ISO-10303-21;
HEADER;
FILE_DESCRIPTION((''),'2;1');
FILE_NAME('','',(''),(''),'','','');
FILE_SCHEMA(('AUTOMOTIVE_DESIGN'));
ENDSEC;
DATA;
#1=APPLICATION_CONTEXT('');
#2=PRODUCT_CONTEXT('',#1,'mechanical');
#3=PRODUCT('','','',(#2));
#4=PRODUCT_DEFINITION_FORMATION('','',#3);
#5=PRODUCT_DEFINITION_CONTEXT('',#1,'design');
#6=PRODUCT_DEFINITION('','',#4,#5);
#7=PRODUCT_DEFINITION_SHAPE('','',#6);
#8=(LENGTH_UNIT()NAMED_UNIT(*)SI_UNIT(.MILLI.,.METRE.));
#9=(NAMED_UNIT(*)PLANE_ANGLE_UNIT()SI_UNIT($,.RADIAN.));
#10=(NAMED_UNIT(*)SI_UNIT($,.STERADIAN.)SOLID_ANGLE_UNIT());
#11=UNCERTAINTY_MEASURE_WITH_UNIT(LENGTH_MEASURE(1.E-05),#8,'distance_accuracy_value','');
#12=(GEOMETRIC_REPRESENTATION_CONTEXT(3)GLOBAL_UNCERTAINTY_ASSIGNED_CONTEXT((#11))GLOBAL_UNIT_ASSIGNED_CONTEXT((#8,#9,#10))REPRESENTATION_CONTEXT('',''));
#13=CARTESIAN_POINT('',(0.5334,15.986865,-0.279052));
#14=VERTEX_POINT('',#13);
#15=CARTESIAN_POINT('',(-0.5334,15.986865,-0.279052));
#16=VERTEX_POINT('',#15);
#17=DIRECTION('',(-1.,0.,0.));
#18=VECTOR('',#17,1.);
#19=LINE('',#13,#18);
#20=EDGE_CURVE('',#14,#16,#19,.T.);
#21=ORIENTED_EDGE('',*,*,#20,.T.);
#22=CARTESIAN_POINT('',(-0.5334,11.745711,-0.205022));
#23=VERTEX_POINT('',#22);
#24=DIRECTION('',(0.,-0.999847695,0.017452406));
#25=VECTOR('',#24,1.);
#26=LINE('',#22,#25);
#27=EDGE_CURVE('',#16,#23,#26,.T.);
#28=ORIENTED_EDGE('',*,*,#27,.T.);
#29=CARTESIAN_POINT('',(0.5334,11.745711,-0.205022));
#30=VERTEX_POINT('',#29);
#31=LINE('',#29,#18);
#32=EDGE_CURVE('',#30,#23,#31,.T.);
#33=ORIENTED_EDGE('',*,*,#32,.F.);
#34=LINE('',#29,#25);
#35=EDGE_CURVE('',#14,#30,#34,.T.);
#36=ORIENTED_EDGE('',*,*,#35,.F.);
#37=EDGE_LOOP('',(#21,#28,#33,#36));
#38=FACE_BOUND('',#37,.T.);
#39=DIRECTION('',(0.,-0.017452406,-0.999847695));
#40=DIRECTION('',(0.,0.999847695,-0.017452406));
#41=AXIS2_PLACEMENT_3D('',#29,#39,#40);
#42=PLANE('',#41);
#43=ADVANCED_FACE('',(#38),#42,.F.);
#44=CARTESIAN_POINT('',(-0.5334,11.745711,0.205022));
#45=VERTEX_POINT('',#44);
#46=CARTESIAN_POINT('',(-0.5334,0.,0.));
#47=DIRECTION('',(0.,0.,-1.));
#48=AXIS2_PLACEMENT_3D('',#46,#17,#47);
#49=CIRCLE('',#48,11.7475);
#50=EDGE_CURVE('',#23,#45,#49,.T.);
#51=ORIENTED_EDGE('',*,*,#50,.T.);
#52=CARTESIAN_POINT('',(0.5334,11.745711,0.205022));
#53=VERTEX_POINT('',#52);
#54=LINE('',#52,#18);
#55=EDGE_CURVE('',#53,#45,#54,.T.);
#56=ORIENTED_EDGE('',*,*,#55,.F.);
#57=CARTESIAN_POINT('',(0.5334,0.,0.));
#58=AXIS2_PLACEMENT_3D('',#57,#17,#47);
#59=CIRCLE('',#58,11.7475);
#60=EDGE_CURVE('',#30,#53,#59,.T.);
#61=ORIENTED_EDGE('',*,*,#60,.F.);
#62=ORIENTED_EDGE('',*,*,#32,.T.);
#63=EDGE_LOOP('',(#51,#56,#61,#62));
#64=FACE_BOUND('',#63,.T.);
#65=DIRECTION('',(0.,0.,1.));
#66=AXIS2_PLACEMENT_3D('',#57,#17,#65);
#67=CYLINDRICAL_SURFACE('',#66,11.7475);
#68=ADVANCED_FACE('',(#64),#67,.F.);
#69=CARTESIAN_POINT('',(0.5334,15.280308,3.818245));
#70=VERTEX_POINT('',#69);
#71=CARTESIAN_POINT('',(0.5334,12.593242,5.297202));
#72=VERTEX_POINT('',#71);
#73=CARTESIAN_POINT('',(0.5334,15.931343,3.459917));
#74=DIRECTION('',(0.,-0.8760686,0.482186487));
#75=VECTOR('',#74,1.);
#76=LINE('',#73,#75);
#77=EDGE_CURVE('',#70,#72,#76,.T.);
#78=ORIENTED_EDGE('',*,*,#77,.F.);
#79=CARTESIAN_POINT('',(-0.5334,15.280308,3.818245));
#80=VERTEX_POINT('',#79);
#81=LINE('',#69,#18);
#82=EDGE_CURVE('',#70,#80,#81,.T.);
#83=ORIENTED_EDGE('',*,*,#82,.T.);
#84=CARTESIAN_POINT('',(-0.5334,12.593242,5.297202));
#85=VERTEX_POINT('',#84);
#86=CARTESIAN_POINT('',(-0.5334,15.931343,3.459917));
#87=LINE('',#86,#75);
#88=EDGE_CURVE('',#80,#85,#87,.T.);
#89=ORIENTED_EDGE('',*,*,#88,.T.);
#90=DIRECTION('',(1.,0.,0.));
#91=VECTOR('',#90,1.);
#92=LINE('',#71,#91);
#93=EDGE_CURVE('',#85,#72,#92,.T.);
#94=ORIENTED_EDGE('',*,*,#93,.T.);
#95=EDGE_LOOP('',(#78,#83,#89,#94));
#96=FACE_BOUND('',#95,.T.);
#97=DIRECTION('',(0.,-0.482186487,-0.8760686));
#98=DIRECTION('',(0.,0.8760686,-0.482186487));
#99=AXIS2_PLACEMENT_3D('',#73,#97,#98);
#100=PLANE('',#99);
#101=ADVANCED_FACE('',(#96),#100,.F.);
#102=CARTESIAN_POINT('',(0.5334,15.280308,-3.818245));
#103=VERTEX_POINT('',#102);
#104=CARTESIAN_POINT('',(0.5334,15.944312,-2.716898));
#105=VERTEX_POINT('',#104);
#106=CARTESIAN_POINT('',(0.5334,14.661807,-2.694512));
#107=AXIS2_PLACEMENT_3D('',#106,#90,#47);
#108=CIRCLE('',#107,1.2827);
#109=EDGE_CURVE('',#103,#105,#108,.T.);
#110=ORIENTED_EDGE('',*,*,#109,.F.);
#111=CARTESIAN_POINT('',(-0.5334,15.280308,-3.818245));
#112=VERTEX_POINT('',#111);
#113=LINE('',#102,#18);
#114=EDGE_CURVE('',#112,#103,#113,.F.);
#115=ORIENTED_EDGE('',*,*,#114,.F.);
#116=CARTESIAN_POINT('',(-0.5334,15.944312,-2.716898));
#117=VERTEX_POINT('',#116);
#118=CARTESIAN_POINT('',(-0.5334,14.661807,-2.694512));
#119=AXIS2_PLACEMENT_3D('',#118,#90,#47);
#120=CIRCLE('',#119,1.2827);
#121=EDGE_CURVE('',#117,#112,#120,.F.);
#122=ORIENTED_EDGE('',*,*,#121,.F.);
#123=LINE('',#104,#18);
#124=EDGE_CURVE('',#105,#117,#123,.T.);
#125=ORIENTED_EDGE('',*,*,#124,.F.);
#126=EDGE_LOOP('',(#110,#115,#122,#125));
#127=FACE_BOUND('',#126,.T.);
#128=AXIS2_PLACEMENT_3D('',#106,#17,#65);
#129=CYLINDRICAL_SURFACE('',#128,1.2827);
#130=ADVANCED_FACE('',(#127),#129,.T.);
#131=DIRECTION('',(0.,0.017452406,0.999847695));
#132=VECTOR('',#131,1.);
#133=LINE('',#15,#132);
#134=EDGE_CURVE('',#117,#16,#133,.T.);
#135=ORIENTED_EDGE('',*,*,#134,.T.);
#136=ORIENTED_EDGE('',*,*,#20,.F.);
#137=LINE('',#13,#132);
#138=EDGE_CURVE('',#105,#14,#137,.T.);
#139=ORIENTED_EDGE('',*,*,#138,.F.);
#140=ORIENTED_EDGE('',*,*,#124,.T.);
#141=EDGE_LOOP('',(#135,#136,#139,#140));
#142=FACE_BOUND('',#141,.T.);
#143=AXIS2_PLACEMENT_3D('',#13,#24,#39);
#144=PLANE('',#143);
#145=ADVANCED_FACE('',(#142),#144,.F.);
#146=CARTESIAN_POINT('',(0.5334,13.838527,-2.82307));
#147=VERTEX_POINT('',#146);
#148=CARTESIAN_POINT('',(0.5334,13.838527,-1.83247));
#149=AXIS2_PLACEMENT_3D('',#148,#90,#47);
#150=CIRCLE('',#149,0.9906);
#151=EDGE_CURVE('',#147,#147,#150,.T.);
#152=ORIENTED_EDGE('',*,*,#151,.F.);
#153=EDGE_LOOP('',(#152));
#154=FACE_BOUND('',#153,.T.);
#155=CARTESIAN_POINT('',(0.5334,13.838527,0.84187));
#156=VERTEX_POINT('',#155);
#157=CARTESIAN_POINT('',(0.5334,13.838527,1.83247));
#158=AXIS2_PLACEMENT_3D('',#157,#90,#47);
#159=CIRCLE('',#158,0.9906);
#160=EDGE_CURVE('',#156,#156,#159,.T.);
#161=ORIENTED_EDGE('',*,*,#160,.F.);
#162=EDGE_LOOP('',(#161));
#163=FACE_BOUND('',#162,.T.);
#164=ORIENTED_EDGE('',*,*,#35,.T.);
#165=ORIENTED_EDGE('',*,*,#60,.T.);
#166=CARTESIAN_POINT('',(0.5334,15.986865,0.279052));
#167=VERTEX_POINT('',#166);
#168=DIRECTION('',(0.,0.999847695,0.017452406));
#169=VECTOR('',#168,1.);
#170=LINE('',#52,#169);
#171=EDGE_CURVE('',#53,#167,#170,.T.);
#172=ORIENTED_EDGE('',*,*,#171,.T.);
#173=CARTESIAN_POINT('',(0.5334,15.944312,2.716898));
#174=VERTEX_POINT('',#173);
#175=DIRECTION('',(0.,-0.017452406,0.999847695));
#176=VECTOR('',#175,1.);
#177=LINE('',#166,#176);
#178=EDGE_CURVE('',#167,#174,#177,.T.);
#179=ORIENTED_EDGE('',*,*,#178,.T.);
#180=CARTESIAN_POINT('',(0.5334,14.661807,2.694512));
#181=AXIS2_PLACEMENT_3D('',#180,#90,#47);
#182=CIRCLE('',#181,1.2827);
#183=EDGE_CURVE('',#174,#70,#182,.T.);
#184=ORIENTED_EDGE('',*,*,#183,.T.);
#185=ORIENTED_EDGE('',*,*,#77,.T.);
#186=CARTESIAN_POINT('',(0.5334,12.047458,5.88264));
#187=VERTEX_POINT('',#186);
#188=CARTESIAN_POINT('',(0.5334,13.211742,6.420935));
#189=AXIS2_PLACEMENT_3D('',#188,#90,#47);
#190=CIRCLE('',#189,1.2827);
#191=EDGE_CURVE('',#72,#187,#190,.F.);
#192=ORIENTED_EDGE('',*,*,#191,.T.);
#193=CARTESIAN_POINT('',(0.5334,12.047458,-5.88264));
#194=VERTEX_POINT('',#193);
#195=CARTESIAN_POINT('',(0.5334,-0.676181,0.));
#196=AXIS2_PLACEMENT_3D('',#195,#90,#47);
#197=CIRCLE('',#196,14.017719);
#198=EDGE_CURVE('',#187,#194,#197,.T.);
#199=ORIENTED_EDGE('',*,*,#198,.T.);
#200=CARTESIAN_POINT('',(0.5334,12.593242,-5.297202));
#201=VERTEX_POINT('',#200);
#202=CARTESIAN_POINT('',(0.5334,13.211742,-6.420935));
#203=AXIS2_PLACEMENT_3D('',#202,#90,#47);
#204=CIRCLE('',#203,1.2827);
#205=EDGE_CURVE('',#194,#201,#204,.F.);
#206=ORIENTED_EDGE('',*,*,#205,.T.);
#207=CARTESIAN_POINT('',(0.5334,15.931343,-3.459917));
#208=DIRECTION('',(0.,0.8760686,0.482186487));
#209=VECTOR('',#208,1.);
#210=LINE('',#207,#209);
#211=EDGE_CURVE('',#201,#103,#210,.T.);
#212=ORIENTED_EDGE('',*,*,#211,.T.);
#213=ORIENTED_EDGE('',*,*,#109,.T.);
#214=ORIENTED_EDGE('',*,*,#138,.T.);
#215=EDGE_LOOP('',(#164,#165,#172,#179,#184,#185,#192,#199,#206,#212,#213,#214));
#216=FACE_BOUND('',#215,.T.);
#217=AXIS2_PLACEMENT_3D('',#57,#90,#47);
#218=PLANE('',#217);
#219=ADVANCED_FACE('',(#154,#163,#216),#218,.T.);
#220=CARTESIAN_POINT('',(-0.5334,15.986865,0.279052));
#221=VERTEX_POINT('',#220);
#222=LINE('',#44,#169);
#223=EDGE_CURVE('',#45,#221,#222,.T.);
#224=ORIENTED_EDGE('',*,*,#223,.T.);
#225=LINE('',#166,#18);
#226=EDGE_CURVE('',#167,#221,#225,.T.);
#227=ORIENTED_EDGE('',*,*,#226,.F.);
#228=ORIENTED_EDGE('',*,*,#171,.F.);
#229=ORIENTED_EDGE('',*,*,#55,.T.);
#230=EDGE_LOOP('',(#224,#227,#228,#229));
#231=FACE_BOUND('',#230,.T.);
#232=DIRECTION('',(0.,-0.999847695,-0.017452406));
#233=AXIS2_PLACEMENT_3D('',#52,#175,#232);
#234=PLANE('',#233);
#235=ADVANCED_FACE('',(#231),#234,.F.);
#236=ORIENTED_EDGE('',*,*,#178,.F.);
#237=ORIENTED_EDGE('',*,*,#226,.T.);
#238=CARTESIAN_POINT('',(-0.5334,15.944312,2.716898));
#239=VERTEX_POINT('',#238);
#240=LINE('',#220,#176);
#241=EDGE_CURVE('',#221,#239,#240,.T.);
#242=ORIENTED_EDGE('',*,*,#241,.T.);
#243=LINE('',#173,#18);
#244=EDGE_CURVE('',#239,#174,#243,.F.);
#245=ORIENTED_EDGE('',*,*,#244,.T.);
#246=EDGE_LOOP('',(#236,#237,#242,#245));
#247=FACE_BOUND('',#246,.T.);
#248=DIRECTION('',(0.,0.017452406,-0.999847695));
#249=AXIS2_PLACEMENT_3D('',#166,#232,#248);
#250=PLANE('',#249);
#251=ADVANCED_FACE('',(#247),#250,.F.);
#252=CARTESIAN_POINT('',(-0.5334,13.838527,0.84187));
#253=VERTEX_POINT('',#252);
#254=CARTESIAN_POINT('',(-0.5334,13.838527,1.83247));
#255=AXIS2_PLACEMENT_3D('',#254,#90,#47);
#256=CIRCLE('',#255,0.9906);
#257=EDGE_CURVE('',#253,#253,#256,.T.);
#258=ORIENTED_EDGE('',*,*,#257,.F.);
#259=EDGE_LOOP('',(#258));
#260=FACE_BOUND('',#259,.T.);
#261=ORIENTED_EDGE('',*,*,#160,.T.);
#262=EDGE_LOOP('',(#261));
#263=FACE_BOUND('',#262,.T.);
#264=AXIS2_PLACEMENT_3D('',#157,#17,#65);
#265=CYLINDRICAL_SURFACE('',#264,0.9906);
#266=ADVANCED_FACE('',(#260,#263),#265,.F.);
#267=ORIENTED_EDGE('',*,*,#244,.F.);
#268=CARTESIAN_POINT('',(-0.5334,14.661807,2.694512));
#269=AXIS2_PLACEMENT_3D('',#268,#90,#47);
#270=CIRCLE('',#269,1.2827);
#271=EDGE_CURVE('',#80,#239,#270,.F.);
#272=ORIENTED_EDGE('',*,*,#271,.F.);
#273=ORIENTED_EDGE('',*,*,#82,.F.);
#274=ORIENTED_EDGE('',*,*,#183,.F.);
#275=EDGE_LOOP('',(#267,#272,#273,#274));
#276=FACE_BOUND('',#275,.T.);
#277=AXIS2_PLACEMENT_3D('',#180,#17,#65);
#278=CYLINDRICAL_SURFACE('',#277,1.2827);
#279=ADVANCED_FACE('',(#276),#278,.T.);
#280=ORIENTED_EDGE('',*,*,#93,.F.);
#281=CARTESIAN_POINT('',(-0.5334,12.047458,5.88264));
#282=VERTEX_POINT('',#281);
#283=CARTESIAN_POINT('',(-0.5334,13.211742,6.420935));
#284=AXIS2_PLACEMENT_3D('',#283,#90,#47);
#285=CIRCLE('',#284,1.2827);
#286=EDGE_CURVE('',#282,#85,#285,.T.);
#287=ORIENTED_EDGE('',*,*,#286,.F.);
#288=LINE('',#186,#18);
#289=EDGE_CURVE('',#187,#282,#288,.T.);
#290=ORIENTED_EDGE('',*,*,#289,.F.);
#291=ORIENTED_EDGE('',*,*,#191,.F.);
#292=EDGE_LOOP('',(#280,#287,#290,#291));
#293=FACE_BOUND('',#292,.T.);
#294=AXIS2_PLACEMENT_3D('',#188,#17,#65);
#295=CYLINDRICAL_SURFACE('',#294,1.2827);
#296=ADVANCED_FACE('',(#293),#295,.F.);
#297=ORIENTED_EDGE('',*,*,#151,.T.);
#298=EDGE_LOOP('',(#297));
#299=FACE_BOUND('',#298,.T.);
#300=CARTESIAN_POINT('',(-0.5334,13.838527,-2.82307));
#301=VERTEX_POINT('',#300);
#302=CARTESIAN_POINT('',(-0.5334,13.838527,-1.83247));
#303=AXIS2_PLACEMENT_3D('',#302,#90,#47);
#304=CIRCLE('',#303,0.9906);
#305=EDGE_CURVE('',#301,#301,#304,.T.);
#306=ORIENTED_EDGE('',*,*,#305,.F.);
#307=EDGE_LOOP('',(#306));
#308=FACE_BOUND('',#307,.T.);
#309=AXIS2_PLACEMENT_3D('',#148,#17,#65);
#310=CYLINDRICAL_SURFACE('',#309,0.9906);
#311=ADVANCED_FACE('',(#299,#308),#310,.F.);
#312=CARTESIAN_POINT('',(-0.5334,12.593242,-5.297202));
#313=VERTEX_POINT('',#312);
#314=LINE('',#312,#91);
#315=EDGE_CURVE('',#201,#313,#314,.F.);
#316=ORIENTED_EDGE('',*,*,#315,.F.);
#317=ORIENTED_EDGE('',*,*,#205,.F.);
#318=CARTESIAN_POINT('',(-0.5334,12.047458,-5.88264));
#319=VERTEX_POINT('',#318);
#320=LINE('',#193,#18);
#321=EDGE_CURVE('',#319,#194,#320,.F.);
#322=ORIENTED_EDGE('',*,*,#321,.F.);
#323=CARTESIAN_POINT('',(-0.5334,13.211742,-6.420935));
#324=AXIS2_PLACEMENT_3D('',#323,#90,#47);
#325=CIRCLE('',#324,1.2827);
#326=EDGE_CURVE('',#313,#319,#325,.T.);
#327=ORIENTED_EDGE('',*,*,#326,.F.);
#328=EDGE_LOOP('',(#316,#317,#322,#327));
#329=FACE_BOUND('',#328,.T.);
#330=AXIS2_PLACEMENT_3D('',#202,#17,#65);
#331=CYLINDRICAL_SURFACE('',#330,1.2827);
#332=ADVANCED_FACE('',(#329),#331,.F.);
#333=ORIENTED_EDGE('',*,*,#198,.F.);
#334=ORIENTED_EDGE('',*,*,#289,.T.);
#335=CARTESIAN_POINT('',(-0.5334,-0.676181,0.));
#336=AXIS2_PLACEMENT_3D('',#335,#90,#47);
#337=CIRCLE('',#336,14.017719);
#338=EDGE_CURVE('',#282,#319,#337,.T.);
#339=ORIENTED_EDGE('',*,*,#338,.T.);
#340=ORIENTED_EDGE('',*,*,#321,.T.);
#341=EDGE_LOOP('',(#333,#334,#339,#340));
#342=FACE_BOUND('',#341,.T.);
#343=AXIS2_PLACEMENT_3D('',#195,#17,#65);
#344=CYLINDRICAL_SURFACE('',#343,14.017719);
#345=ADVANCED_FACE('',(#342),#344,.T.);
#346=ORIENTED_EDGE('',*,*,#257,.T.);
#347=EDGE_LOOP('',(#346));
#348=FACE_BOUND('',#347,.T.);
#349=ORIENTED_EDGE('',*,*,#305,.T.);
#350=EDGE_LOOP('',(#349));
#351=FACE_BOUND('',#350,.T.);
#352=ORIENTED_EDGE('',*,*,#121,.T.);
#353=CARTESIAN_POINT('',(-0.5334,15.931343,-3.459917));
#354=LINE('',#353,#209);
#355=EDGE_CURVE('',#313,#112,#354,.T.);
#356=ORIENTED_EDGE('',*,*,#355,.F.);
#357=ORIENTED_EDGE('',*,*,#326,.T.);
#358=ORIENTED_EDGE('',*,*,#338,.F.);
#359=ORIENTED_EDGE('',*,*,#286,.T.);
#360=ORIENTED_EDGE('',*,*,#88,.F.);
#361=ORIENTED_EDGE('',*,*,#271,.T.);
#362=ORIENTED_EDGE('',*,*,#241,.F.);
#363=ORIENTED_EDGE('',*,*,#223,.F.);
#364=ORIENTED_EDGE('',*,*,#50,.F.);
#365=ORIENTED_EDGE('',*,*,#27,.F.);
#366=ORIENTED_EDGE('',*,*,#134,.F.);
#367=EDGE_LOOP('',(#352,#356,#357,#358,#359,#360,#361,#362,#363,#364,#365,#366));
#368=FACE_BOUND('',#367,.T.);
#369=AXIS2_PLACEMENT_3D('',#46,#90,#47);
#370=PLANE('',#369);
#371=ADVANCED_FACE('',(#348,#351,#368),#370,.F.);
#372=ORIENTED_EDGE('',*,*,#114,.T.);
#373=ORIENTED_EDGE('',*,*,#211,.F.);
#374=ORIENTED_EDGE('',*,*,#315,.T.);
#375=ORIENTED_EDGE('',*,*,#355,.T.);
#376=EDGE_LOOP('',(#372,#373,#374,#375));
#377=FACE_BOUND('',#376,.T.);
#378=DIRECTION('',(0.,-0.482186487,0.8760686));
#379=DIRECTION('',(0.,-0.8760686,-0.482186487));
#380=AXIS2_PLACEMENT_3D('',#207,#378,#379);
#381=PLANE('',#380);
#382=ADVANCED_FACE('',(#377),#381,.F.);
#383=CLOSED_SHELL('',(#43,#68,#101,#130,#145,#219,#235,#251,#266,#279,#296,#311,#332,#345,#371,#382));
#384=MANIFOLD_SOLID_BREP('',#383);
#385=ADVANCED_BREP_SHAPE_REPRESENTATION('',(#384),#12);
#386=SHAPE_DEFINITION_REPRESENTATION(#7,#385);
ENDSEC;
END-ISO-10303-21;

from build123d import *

# Parameters (mm, degrees)
SKETCH1_R      = 0.9906
EXTRUDE1_DEPTH = 0.5334
FILLET1_R      = 1.2827


with BuildPart() as part:
    # Sketch1 → Extrude1 (new body, symmetric)
    with BuildSketch(Plane(origin=(0, 0, 0), x_dir=(0, 0, -1), z_dir=(1, 0, 0))):
        with BuildLine():
            Line((-0.205022145, 11.745710799), (-0.279051762, 15.986864752))
            Line((-0.279051762, 15.986864752), (-3.459917227, 15.931342539))
            Line((-3.459917227, 15.931342539), (-5.505255869, 12.215234753))
            ThreePointArc((-5.505255869, 12.215234753), (0, -14.6939), (5.505255869, 12.215234753))
            Line((5.505255869, 12.215234753), (3.459917227, 15.931342539))
            Line((3.459917227, 15.931342539), (0.279051762, 15.986864752))
            Line((0.279051762, 15.986864752), (0.205022145, 11.745710799))
            ThreePointArc((0.205022145, 11.745710799), (0, -11.7475), (-0.205022145, 11.745710799))
        make_face()
        with Locations((-1.832469686, 13.838526669)):
            Circle(SKETCH1_R, mode=Mode.SUBTRACT)
        with Locations((1.832469686, 13.838526669)):
            Circle(SKETCH1_R, mode=Mode.SUBTRACT)
    extrude(amount=EXTRUDE1_DEPTH, both=True)

    # Fillet1
    fillet1_edges = [part.edges().sort_by_distance(p)[0] for p in [
        (0, 15.931342539, -3.459917227),
        (0, 12.215234753, -5.505255869),
        (0, 12.215234753, 5.505255869),
        (0, 15.931342539, 3.459917227),
    ]]
    fillet(fillet1_edges, radius=FILLET1_R)


solid = part.part
